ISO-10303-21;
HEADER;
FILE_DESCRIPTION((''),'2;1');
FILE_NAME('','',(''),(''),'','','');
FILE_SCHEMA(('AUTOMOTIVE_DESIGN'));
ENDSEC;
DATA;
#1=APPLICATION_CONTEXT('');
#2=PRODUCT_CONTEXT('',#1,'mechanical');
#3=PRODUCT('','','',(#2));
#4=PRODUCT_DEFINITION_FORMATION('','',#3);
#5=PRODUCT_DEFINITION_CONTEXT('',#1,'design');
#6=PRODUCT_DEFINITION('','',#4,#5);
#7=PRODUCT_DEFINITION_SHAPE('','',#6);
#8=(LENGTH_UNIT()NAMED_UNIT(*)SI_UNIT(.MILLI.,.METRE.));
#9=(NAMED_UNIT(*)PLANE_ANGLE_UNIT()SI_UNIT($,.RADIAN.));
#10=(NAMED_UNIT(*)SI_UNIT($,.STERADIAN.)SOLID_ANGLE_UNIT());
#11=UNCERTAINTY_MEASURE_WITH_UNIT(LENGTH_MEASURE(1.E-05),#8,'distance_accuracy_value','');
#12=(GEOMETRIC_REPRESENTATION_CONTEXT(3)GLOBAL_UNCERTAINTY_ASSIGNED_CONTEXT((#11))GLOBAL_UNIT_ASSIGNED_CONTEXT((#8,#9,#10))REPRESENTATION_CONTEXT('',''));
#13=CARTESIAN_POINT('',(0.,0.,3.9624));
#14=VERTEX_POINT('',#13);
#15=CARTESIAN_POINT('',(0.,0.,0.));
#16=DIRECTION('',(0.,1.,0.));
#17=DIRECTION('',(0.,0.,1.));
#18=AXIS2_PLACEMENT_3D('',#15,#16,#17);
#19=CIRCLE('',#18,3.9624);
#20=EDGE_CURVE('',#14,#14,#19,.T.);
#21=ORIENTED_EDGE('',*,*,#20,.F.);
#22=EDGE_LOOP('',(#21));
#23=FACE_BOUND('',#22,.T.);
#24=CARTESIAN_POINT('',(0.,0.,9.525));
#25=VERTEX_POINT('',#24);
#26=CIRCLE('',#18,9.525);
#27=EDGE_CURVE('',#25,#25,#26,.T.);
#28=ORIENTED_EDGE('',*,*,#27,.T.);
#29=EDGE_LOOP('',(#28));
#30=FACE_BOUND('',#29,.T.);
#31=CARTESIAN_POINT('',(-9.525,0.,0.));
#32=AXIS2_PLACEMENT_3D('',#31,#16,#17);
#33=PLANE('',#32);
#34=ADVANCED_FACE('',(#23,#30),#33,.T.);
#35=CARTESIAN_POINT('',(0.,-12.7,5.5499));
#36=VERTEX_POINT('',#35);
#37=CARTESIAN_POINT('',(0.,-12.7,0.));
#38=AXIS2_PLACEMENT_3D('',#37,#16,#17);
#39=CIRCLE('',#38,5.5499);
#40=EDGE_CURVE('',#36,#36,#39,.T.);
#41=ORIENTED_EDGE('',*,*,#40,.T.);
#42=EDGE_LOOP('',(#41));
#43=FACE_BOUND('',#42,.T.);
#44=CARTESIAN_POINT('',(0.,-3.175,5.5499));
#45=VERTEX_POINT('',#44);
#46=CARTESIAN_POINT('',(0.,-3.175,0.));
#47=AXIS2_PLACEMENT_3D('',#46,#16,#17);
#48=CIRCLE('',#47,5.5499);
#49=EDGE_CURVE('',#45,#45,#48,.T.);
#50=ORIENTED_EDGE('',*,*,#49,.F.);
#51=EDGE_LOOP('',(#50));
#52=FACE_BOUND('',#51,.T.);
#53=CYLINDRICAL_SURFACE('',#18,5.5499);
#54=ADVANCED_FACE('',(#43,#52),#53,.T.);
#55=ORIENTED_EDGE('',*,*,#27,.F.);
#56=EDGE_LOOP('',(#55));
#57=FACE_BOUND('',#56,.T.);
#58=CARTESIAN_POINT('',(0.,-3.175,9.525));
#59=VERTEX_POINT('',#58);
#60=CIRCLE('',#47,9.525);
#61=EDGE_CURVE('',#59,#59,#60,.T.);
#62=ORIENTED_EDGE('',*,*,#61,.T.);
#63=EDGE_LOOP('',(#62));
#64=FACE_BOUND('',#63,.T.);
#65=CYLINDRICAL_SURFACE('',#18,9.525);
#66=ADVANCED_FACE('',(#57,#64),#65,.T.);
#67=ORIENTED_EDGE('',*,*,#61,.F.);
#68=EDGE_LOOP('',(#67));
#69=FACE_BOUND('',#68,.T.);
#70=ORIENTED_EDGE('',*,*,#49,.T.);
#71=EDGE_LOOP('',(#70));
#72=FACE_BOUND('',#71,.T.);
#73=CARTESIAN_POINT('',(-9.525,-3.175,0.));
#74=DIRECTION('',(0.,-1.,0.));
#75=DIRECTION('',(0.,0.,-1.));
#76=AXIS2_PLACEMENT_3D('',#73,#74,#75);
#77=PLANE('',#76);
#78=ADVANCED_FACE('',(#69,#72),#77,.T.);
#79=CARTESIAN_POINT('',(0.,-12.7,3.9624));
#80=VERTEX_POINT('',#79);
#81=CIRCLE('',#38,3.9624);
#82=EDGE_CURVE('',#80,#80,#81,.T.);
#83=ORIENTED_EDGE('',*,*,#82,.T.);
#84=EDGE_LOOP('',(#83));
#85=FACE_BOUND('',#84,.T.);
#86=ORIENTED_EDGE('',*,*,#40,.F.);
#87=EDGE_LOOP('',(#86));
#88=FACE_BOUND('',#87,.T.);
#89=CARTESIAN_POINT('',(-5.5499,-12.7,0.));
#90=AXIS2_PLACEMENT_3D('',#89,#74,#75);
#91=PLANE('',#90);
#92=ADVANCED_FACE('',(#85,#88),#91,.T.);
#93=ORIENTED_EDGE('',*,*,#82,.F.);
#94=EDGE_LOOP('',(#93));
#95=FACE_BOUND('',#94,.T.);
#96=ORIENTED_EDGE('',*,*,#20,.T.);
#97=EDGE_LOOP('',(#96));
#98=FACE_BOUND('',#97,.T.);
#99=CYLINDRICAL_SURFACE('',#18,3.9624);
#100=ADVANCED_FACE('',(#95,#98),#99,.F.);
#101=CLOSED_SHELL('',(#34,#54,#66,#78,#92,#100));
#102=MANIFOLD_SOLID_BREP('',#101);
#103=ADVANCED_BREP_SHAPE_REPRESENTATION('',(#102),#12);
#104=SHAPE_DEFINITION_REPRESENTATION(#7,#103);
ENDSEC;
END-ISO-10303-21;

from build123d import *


with BuildPart() as part:
    # Sketch1 → Revolve1 (revolve)
    with BuildSketch(Plane.XY):
        Polygon((-9.525, 0), (-3.9624, 0), (-3.9624, -12.7), (-5.5499, -12.7), (-5.5499, -3.175), (-9.525, -3.175), align=None)
    revolve(axis=Axis((0, 0, 0), (0, -1, 0)))


solid = part.part
